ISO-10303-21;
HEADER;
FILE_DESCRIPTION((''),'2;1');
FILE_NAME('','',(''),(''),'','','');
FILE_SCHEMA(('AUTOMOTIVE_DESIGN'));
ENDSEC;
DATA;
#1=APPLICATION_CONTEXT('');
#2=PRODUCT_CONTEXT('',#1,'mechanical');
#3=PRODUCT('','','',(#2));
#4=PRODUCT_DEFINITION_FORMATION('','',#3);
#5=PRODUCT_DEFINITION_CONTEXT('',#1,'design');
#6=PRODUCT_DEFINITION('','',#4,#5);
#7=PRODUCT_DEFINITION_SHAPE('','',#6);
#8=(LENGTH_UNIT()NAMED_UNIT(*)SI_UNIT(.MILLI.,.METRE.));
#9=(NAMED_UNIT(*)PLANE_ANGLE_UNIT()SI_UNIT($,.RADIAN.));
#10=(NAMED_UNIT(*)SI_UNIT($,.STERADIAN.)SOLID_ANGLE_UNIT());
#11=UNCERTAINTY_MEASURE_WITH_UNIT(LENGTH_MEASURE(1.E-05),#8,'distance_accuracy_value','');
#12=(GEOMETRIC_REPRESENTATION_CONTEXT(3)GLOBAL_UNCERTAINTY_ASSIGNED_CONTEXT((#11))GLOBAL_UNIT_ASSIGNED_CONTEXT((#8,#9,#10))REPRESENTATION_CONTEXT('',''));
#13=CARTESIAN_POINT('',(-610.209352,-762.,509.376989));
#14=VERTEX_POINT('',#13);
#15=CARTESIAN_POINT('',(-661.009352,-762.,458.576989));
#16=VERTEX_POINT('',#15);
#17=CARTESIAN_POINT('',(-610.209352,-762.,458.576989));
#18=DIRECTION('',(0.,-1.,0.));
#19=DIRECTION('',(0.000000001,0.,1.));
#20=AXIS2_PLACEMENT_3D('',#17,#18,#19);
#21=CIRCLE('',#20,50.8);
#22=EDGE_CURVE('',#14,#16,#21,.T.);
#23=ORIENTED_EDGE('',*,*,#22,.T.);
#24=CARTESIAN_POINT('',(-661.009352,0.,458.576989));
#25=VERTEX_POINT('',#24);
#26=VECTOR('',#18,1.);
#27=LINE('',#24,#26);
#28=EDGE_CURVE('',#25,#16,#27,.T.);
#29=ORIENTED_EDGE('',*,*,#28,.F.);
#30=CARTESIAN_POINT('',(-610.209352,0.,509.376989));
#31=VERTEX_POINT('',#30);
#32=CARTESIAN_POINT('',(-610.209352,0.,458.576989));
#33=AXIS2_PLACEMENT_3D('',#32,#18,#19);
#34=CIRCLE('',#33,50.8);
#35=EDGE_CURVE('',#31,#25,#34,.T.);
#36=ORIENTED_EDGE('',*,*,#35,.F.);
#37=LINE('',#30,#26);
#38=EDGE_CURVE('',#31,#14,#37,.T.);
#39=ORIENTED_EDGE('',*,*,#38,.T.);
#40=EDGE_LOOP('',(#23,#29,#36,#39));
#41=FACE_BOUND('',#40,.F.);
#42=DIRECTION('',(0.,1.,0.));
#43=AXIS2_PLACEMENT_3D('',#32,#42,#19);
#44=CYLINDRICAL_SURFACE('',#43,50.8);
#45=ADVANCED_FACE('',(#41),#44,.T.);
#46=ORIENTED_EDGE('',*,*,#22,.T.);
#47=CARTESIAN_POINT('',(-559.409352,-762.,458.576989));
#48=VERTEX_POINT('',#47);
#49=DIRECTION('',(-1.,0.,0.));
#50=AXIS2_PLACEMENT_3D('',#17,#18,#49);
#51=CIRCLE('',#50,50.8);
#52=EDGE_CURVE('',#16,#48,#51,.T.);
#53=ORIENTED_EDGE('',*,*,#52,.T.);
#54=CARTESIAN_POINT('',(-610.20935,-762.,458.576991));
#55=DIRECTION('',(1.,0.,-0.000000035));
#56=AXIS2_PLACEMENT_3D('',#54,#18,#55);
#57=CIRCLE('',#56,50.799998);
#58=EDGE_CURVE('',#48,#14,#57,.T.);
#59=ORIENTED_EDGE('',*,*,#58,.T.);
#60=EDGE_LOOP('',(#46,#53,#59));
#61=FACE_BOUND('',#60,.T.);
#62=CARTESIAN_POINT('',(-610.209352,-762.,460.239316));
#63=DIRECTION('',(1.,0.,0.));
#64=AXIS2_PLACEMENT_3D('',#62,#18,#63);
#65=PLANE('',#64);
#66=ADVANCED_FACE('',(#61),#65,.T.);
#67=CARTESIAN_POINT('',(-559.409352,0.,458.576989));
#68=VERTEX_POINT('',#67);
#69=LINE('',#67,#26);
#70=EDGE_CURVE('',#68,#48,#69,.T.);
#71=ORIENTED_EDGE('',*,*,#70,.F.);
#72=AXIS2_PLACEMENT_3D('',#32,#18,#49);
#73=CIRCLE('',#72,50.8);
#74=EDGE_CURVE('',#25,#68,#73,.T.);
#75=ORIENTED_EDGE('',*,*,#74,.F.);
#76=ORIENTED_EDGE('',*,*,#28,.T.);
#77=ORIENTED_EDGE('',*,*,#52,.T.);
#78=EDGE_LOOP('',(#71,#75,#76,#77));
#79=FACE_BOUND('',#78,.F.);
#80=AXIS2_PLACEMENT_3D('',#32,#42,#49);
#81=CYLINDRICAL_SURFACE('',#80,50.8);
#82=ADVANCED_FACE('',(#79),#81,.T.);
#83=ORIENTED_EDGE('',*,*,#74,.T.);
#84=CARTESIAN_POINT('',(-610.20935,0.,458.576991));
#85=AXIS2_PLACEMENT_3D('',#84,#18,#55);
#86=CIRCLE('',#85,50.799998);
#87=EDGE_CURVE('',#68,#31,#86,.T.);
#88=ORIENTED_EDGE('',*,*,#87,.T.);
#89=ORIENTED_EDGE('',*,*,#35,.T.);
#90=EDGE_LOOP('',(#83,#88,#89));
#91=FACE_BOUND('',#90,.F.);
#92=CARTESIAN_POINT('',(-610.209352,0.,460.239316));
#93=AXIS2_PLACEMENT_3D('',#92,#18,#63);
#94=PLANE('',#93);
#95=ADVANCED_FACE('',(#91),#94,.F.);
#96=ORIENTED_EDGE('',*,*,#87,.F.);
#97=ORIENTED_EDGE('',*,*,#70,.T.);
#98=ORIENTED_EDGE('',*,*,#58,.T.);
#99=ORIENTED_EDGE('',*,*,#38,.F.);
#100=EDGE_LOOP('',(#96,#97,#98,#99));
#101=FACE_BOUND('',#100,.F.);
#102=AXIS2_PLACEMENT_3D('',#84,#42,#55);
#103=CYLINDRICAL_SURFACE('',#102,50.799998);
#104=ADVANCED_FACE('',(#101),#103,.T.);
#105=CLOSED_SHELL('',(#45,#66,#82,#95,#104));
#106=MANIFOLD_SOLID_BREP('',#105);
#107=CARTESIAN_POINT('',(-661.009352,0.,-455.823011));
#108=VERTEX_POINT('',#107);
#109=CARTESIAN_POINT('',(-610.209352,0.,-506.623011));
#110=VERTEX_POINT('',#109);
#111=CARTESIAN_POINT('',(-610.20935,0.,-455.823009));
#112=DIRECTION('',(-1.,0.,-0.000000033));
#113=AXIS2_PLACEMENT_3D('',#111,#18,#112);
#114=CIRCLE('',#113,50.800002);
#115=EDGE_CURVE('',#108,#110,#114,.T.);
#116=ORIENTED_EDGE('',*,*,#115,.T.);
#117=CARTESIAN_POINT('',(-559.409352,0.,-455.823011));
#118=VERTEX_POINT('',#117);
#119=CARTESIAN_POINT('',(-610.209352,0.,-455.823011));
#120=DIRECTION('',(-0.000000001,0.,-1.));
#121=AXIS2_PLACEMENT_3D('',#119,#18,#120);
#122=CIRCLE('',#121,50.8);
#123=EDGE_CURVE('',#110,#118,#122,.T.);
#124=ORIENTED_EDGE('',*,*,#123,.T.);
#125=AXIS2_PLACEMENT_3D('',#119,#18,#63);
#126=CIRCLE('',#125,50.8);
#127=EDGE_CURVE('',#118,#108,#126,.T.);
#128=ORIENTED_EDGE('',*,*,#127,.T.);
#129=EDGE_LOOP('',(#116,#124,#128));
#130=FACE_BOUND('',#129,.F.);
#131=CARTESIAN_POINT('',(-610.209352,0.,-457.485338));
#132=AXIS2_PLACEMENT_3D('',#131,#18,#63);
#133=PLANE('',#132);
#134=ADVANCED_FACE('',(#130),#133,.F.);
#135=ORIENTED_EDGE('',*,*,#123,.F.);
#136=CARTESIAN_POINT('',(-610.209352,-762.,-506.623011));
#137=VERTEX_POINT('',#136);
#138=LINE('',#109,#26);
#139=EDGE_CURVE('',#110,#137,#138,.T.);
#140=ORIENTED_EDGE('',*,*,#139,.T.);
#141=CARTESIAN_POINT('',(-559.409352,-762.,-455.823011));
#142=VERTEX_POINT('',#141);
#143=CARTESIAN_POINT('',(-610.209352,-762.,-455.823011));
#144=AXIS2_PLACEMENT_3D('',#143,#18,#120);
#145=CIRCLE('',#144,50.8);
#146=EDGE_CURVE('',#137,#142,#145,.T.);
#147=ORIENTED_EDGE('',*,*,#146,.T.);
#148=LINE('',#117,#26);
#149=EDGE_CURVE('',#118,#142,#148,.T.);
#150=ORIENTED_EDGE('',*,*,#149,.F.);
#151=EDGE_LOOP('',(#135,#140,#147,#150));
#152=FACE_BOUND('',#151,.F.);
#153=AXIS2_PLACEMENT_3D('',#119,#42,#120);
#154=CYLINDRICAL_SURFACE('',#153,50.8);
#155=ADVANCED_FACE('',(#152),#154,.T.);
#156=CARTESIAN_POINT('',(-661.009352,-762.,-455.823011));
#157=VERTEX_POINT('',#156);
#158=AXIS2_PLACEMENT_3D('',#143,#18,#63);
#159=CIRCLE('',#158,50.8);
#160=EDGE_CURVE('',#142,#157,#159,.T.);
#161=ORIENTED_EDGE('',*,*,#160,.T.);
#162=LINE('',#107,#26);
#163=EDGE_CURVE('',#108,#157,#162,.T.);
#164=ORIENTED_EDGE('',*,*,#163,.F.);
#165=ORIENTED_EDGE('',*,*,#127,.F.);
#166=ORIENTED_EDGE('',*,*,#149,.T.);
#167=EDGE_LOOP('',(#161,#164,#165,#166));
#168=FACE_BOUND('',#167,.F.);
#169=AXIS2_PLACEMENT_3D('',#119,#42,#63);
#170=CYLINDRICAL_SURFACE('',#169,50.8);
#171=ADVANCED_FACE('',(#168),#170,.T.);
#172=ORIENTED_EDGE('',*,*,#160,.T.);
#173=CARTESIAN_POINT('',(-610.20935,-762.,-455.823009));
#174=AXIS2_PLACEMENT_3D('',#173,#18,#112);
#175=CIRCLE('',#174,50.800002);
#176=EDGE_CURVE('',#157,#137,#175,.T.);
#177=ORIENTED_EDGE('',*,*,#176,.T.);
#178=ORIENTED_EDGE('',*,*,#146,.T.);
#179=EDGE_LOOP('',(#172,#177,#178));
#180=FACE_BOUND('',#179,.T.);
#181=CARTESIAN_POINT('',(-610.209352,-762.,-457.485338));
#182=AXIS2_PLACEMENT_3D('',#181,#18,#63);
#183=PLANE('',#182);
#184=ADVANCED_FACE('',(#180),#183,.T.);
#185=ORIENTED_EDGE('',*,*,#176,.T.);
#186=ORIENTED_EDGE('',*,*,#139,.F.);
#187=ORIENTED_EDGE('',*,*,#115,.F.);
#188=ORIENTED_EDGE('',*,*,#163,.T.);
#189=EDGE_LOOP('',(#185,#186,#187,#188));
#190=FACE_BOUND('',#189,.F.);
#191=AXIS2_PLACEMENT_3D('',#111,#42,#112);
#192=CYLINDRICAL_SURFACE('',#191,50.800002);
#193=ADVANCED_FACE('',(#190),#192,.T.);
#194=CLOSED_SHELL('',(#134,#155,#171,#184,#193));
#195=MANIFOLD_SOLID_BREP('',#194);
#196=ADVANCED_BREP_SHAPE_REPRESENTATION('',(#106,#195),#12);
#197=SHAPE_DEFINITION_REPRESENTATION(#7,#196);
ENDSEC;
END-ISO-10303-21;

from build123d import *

# Parameters (mm, degrees)
F1_DEPTH = 762


with BuildPart() as f1:
    # F0 (on Front) → F1 (new body)
    with BuildSketch(Plane.XZ):
        with BuildLine():
            ThreePointArc((-661.009352, 458.576989), (-610.209352, 407.776989), (-559.409352, 458.576989))
            ThreePointArc((-559.409352, 458.576989), (-574.288327, 494.498014), (-610.209352, 509.376989))
            ThreePointArc((-610.209352, 509.376989), (-646.130376, 494.498014), (-661.009352, 458.576989))
        make_face()
        with BuildLine():
            ThreePointArc((-610.209352, -506.623011), (-574.288327, -491.744035), (-559.409352, -455.823011))
            ThreePointArc((-559.409352, -455.823011), (-610.209352, -405.023011), (-661.009352, -455.823011))
            ThreePointArc((-661.009352, -455.823011), (-646.130376, -491.744035), (-610.209352, -506.623011))
        make_face()
    extrude(amount=F1_DEPTH)


solid = f1.part
